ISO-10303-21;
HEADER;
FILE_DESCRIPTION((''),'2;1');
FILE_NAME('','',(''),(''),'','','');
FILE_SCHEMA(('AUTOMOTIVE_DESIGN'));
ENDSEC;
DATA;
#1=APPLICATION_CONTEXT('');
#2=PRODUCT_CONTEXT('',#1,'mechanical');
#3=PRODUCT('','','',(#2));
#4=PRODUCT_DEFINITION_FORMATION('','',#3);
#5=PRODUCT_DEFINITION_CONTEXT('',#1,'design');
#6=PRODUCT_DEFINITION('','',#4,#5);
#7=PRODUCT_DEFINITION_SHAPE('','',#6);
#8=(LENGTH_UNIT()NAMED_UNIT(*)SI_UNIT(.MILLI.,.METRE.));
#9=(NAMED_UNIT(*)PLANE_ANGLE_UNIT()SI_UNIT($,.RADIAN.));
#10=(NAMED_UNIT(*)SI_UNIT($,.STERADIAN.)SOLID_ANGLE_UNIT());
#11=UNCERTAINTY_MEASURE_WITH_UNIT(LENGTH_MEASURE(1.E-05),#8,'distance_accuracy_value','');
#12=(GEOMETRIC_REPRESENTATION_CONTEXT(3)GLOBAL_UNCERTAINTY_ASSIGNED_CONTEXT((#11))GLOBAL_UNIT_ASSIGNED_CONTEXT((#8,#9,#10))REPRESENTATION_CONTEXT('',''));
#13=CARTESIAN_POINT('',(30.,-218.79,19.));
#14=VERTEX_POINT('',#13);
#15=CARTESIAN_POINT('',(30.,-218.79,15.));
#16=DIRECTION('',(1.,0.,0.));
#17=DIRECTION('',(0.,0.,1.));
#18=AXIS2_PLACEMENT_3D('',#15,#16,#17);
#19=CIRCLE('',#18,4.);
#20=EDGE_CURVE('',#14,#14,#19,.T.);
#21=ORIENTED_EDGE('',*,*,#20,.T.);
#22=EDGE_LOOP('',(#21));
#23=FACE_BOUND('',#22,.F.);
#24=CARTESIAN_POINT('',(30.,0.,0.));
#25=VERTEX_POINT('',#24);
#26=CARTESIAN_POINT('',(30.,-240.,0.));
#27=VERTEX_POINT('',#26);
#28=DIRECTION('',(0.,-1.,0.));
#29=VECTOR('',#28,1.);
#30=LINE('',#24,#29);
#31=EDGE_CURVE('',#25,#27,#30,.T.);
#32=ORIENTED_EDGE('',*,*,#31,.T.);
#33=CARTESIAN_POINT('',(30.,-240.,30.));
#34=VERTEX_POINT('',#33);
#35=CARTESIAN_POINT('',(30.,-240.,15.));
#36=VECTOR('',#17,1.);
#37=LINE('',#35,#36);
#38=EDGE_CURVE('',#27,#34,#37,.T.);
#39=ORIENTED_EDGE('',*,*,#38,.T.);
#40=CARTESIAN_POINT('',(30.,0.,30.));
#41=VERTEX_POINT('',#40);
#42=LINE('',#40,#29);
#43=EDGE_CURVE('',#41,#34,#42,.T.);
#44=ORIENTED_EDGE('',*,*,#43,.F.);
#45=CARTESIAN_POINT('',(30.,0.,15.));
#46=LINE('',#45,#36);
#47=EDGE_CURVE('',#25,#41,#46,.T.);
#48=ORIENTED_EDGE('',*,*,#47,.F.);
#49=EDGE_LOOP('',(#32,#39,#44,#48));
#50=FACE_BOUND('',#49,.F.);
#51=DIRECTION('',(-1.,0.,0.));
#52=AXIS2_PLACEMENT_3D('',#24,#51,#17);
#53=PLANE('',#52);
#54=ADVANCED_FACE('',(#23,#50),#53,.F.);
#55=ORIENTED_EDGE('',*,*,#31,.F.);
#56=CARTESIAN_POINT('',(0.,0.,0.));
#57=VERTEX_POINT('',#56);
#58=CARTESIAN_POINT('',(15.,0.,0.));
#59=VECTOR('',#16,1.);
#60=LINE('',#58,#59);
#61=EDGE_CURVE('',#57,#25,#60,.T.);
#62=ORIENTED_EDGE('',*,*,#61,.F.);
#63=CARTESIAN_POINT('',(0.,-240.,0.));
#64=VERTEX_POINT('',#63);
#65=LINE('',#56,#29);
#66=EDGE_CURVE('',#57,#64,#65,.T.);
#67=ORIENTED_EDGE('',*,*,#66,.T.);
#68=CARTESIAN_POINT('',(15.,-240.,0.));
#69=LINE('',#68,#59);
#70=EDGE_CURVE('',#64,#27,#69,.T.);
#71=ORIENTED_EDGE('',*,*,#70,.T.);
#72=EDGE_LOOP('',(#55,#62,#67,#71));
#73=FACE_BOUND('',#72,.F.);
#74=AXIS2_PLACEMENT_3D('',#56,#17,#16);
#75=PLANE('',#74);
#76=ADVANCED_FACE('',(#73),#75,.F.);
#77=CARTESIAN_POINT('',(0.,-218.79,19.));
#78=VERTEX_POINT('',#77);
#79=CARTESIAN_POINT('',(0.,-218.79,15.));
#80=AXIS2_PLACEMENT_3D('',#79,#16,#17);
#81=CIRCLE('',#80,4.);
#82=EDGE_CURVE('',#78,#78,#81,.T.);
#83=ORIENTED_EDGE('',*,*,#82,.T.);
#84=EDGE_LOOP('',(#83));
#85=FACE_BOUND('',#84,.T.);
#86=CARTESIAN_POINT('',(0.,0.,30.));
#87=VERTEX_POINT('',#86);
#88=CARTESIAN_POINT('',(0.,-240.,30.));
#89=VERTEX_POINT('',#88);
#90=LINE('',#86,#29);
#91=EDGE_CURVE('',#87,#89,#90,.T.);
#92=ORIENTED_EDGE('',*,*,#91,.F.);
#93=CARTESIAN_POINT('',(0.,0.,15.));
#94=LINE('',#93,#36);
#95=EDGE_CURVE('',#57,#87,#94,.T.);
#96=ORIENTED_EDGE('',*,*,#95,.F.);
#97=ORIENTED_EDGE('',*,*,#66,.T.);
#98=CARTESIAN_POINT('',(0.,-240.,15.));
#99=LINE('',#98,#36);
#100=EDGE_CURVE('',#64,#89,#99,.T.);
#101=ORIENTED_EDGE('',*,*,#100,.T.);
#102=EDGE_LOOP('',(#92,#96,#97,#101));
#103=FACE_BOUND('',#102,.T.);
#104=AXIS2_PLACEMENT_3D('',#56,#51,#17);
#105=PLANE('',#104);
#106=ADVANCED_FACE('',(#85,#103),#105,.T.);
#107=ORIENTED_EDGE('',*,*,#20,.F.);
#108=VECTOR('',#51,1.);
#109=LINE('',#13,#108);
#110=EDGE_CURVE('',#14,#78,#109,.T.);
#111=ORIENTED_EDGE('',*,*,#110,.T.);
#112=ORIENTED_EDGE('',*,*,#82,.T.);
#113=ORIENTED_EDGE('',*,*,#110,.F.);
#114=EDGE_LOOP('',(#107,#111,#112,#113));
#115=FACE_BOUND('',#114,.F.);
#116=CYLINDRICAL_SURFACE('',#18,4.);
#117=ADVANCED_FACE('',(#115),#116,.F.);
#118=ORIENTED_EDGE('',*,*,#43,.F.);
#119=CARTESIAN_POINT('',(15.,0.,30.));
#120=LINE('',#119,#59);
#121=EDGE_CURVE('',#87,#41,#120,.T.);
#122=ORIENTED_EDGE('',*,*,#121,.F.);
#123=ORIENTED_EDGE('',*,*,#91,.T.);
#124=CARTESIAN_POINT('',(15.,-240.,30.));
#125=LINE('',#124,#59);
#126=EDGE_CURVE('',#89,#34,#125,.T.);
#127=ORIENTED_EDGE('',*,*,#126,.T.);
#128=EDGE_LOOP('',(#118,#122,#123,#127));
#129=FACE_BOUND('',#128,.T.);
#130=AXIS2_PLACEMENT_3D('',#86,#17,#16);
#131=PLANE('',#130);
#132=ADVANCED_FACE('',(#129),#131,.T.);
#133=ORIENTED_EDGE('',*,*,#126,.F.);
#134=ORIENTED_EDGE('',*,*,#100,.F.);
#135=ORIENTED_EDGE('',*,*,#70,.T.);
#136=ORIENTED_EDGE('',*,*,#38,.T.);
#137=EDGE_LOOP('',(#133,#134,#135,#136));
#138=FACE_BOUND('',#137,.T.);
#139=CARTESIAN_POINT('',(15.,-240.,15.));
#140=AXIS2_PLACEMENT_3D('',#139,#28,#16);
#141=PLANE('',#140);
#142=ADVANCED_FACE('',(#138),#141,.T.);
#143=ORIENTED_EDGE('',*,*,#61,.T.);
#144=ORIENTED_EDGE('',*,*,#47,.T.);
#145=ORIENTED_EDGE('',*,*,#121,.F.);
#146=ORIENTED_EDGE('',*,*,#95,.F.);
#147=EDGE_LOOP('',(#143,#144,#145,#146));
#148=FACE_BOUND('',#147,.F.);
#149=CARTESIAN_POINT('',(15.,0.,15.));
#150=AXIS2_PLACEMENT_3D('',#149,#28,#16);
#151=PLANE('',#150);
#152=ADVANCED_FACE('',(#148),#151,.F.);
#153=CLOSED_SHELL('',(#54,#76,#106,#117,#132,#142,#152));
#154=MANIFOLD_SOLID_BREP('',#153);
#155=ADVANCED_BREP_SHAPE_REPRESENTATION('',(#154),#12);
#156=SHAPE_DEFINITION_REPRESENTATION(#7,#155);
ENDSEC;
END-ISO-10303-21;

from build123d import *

# Parameters (mm, degrees)
SKETCH_W     = 30
SKETCH_H     = 30
PAD_DEPTH    = 240
SKETCH001_R  = 4
POCKET_DEPTH = 30.001


with BuildPart() as part:
    # Sketch → Pad (new body)
    with BuildSketch(Plane.XZ):
        with Locations((15, 15)):
            Rectangle(SKETCH_W, SKETCH_H)
    extrude(amount=PAD_DEPTH)

    # Sketch001 (on Face2 of Pad) → Pocket (cut, through all)
    with BuildSketch(Plane(origin=(30, 0, 0), x_dir=(0, 0, 1), z_dir=(1, 0, 0))):
        with Locations((15, 218.79)):
            Circle(SKETCH001_R)
    extrude(amount=-POCKET_DEPTH, mode=Mode.SUBTRACT)


solid = part.part
